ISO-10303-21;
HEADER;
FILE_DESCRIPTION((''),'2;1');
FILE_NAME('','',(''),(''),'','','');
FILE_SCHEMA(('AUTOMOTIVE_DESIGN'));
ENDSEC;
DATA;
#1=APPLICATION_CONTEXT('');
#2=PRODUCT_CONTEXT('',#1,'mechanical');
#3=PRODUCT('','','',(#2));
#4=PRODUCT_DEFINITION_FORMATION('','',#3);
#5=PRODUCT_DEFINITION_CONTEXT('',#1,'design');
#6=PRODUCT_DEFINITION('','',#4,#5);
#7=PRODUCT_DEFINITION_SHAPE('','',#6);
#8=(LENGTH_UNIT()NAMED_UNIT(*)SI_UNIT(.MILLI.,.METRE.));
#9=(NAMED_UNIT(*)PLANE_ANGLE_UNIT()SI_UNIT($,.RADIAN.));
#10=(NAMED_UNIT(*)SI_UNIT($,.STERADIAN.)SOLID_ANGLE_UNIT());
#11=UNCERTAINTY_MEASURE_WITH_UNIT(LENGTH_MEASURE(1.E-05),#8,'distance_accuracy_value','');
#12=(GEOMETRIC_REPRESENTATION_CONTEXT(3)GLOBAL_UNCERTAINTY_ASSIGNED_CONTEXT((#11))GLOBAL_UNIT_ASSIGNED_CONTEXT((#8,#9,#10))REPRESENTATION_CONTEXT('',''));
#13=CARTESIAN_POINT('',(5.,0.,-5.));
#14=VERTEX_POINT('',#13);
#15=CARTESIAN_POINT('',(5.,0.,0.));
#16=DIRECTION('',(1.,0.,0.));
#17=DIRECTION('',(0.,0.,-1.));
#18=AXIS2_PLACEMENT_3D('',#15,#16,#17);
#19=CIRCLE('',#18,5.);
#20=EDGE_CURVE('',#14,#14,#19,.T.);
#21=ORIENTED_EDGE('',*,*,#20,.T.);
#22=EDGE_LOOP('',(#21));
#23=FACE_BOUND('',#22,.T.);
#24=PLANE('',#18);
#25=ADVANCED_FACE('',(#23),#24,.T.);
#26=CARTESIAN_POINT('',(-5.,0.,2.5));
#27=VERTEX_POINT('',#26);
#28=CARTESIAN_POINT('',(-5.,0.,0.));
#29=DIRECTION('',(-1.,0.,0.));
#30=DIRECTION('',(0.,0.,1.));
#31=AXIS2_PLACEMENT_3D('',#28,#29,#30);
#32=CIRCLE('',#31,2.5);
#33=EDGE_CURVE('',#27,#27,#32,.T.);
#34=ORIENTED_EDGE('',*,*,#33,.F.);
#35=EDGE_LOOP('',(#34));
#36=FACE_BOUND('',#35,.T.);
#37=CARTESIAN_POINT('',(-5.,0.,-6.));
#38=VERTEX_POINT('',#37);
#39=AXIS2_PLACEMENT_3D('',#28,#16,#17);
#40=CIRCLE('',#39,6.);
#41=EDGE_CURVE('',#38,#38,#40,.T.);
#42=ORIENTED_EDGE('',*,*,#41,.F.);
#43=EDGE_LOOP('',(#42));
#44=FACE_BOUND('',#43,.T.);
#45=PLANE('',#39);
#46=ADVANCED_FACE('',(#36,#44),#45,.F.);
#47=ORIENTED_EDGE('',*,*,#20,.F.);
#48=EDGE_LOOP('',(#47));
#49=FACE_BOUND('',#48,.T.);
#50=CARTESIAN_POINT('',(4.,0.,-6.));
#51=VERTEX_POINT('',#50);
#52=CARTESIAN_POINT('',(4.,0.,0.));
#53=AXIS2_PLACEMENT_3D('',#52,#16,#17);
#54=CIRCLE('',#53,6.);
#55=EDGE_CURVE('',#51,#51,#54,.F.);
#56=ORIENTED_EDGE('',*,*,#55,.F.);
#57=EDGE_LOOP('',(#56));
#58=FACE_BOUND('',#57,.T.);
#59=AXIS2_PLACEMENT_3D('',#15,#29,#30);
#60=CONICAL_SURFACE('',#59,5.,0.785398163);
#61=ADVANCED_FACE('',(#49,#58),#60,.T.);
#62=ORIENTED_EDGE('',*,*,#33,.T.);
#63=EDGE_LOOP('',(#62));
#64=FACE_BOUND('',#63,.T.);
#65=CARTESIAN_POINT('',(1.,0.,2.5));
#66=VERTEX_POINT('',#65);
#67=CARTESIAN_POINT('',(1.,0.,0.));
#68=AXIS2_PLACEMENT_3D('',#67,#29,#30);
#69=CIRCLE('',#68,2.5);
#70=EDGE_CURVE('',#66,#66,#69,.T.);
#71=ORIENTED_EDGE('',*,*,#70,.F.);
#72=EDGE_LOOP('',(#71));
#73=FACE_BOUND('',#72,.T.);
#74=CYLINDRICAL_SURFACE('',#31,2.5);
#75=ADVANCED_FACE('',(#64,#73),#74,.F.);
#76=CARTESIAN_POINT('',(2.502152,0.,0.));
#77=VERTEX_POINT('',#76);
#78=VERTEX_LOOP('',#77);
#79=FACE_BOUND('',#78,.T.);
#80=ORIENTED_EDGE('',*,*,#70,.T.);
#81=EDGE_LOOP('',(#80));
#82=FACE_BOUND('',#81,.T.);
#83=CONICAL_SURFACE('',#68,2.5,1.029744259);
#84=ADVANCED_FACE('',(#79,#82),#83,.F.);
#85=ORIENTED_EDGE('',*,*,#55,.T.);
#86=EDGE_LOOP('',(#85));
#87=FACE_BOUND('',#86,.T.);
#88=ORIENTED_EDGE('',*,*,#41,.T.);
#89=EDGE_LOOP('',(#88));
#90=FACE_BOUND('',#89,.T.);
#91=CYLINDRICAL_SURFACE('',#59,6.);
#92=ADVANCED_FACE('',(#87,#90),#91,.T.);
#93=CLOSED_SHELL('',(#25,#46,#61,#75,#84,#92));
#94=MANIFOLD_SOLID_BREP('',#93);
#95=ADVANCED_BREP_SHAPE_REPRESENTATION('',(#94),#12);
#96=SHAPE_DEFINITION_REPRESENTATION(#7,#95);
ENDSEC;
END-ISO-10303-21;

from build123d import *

# Parameters (mm, degrees)
SKETCH1_R           = 6
BOSS_EXTRUDE2_DEPTH = 5
CHAMFER1_SIZE       = 1


with BuildPart() as part:
    # Sketch1 → Boss-Extrude2 (new body, symmetric)
    with BuildSketch(Plane(origin=(0, 0, 0), x_dir=(0, 0, -1), z_dir=(1, 0, 0))):
        Circle(SKETCH1_R)
    extrude(amount=BOSS_EXTRUDE2_DEPTH, both=True)

    # Sketch5 → M6x1.0 Tapped Hole1 (revolve, cut)
    with BuildSketch(Plane(origin=(-5, 0, 0), x_dir=(0, 0, 1), z_dir=(0, 1, 0))):
        Polygon((0, 0), (0, 7.502151548), (2.5, 6), (2.5, 0), align=None)
    revolve(axis=Axis((-11.35, 0, 0), (1, 0, 0)), mode=Mode.SUBTRACT)

    # Chamfer1
    chamfer1_edges = [part.edges().sort_by_distance(p)[0] for p in [
        (5, 0, 6),
    ]]
    chamfer(chamfer1_edges, length=CHAMFER1_SIZE)


solid = part.part
